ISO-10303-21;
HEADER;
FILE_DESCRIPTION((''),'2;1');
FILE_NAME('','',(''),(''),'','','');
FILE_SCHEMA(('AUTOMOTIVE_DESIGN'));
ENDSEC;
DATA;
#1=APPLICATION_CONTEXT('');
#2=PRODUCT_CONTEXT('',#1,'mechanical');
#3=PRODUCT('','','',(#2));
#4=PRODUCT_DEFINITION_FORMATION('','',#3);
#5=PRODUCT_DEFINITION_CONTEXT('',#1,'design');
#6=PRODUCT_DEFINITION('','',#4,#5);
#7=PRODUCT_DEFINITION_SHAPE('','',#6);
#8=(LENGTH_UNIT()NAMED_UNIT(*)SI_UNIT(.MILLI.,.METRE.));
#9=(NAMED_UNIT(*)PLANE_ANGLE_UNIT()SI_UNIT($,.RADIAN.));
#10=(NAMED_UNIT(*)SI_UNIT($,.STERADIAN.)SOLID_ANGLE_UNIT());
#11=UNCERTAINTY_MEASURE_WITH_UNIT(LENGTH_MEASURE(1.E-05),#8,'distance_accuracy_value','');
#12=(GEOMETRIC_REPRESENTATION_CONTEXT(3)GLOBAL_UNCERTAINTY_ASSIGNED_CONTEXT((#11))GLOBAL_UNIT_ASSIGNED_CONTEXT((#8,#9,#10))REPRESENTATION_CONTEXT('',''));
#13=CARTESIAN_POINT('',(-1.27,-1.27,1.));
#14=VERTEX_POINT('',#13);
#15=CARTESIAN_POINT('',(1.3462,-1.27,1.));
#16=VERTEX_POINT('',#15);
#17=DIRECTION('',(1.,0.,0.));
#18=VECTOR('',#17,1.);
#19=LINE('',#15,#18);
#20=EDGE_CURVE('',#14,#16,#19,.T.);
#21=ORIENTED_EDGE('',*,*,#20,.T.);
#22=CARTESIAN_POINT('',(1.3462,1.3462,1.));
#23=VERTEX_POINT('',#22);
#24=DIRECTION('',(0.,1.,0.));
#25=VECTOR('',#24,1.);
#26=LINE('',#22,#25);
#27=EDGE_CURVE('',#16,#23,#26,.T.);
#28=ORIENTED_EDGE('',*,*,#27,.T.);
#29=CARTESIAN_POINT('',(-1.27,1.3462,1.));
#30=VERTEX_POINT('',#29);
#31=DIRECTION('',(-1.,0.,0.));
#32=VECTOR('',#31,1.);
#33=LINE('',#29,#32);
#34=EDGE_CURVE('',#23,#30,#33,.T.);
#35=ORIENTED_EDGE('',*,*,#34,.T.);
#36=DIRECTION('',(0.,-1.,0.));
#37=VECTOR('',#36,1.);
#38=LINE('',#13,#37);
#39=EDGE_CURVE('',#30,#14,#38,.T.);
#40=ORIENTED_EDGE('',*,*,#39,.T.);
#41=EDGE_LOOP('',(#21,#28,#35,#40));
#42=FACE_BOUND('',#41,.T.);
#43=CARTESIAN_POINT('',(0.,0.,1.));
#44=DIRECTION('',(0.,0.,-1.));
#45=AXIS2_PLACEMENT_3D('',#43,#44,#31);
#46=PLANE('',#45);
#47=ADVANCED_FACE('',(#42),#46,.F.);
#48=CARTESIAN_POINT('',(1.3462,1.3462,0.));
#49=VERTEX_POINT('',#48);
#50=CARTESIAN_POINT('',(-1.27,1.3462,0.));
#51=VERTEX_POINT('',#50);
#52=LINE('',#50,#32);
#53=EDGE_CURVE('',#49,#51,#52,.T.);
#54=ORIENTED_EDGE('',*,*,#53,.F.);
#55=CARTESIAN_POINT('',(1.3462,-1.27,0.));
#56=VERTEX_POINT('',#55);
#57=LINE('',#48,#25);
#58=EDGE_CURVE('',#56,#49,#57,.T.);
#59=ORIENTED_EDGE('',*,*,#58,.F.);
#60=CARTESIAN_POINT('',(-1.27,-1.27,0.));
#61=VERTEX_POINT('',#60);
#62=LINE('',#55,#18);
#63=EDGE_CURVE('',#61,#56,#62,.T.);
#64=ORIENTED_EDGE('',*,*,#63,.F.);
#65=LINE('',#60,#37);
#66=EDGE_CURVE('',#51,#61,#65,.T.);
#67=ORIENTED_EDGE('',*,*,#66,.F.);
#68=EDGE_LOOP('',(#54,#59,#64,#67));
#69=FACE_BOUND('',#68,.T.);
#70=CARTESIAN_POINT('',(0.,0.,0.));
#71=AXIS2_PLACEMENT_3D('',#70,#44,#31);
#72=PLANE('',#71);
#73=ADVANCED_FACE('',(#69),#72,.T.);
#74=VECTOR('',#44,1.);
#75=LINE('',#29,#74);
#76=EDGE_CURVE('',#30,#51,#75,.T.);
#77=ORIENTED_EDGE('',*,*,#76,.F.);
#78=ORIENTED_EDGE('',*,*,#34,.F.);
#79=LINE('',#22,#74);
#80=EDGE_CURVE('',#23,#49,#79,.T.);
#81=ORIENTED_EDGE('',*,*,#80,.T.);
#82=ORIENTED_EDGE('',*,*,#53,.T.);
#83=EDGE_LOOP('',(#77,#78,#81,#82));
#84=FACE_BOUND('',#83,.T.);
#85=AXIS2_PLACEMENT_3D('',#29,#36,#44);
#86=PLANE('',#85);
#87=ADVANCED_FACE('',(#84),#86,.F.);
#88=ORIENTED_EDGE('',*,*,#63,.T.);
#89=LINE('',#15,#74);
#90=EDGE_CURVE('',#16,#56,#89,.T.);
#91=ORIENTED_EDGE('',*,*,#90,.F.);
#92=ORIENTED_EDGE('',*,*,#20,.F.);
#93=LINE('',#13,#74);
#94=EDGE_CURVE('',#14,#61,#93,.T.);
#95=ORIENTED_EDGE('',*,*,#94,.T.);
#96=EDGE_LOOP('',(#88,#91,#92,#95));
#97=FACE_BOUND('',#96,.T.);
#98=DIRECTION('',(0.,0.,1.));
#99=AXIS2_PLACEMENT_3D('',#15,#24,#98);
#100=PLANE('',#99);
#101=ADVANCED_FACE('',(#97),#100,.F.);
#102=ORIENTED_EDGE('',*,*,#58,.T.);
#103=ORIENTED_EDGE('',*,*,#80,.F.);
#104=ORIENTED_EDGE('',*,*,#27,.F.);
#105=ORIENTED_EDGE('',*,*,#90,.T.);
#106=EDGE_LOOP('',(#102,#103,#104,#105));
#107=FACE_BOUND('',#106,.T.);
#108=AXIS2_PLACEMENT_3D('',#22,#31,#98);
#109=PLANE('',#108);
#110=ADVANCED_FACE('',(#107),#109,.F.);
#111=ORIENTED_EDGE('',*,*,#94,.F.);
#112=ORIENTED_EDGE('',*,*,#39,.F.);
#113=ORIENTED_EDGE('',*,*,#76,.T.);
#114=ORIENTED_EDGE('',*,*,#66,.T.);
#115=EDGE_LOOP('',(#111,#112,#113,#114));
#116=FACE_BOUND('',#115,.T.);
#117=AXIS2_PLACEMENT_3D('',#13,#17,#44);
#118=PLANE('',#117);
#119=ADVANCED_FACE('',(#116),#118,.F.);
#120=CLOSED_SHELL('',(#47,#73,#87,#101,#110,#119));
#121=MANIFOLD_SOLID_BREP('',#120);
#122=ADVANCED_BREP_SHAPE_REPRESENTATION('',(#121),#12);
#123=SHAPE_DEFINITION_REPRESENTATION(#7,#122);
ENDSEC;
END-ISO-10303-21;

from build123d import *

# Parameters (mm, degrees)
SKIZZE1_W               = 2.6162
SKIZZE1_H               = 2.6162
COMPONENT_OUTLINE_DEPTH = 1


with BuildPart() as part:
    # Skizze1 → Component_Outline (new body)
    with BuildSketch(Plane.XY):
        with Locations((0.0381, 0.0381)):
            Rectangle(SKIZZE1_W, SKIZZE1_H)
    extrude(amount=COMPONENT_OUTLINE_DEPTH)


solid = part.part
